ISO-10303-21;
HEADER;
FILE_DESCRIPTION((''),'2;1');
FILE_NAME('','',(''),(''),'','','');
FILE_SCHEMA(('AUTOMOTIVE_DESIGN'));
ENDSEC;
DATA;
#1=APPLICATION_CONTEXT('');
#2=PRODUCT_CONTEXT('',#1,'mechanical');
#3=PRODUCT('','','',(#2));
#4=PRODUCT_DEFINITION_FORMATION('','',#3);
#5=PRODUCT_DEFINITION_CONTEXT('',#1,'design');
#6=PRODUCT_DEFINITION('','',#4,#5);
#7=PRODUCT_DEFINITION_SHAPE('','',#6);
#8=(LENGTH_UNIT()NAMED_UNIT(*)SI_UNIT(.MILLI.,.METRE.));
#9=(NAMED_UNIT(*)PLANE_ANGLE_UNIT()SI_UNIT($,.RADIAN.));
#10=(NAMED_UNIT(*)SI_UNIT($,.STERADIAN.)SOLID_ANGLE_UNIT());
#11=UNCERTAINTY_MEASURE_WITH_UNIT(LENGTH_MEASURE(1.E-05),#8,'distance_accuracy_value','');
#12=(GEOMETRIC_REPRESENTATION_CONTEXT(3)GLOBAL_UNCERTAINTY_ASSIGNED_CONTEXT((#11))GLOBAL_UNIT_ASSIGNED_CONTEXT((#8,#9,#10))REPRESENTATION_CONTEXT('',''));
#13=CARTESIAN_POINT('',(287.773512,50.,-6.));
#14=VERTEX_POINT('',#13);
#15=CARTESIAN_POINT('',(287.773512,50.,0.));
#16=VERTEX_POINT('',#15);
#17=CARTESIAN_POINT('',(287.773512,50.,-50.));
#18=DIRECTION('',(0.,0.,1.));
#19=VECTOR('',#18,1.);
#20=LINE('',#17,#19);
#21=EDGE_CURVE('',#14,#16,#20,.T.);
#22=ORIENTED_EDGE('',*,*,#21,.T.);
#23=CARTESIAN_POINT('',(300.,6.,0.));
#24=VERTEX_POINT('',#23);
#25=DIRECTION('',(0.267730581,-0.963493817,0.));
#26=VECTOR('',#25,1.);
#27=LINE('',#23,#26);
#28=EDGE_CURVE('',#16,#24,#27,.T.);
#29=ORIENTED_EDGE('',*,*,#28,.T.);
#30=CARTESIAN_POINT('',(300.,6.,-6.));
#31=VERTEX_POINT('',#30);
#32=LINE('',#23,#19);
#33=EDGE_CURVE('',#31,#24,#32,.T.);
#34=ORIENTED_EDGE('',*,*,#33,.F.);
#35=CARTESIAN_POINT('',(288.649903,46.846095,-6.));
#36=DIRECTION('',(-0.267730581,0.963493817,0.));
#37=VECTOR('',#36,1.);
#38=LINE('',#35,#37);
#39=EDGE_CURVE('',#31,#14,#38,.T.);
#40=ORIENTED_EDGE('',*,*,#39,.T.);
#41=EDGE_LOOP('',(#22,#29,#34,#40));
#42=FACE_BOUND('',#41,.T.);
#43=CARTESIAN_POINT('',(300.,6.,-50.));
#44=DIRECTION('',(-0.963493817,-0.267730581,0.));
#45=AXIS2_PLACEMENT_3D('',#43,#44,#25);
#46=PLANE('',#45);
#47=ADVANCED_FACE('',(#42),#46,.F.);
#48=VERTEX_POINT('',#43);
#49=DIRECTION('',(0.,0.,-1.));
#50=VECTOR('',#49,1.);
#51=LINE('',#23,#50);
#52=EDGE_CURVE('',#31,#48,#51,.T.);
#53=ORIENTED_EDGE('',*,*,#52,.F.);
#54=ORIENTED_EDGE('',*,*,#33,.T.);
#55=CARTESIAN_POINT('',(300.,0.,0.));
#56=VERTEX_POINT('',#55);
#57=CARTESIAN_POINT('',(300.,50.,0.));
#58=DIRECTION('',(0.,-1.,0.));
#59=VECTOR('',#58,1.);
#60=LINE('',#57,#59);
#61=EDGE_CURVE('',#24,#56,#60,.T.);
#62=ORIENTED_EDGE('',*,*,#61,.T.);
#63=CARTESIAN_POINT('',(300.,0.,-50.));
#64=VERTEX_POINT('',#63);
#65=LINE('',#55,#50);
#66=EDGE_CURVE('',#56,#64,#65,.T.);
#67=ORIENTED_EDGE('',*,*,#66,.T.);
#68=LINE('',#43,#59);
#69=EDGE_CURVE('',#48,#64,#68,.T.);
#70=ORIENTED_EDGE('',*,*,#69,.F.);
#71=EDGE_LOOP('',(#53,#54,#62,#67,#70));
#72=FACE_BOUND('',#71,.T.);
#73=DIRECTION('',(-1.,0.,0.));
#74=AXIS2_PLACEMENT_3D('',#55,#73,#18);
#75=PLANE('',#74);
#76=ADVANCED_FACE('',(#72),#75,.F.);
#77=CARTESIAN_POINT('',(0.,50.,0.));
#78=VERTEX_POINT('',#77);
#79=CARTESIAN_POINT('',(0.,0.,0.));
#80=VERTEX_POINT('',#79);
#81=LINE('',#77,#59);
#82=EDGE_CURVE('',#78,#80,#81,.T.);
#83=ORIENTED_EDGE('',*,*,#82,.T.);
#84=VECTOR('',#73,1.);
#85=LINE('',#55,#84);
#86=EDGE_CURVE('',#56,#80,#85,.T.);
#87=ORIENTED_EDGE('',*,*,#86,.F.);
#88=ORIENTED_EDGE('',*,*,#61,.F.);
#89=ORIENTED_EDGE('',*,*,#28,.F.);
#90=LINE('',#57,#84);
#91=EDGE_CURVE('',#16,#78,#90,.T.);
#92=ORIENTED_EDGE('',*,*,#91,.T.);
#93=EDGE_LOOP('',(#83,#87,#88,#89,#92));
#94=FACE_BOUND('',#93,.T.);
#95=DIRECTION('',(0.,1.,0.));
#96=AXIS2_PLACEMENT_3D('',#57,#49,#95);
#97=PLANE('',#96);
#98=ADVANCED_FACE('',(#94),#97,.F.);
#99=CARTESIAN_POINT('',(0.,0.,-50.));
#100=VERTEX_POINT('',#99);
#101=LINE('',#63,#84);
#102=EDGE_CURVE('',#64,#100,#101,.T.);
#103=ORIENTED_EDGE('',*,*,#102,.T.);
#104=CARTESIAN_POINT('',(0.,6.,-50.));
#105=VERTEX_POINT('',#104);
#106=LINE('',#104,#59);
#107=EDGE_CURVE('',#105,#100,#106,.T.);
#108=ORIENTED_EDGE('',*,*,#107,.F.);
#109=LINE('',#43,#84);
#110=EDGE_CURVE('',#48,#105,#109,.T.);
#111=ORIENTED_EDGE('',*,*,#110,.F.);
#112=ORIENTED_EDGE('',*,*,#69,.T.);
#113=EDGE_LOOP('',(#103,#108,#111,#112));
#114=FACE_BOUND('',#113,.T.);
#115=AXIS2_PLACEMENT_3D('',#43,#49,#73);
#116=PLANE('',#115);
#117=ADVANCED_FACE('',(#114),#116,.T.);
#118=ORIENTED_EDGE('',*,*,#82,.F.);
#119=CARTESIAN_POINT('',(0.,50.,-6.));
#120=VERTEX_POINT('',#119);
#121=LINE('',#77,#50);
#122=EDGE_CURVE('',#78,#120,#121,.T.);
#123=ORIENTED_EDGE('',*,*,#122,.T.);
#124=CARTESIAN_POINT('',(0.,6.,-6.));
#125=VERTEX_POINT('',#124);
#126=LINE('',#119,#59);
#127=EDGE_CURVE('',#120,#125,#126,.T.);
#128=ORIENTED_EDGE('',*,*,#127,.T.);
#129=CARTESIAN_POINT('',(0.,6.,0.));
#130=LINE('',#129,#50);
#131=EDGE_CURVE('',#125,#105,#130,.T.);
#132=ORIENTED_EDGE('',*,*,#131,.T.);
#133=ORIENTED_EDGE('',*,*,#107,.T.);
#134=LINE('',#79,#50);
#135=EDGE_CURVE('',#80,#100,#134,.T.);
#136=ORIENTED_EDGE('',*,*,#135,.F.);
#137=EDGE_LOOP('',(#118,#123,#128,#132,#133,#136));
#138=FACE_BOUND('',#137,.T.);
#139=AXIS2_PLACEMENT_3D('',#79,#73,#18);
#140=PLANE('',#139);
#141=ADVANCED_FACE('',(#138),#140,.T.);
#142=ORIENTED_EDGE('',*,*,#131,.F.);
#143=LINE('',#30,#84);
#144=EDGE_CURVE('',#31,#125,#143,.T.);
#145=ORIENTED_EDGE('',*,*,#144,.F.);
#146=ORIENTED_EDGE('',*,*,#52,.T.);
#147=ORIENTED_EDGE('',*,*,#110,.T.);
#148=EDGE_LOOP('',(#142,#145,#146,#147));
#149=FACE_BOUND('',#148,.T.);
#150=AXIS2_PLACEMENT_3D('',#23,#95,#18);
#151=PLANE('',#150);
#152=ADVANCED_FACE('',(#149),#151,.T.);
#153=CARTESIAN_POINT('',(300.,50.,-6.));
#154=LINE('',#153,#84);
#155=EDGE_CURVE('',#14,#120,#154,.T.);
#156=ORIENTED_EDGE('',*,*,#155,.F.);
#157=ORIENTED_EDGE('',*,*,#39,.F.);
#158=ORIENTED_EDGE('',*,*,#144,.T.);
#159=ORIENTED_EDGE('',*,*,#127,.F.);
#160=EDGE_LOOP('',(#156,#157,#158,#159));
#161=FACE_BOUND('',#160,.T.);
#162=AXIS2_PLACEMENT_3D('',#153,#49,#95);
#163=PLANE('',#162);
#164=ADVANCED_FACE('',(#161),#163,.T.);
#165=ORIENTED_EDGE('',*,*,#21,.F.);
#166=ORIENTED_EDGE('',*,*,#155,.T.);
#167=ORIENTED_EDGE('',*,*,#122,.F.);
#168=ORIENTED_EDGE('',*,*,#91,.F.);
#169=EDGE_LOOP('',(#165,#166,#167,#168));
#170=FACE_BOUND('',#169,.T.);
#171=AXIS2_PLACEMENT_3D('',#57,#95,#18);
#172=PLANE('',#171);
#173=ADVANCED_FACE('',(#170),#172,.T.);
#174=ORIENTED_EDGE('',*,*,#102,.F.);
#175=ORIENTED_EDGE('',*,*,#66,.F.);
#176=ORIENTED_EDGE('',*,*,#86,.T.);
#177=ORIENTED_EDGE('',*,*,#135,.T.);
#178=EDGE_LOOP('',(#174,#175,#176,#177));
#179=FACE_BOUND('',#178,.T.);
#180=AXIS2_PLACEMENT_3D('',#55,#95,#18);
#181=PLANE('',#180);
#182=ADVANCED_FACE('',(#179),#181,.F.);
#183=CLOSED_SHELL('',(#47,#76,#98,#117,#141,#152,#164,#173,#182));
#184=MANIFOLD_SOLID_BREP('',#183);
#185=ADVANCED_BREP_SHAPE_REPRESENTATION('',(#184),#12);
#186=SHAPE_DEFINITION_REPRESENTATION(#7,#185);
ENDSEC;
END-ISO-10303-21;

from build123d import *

# Parameters (mm, degrees)
EXTRUDE_1_DEPTH     = 300
CUT_EXTRUDE_1_DEPTH = 51


with BuildPart() as part:
    # Эскиз1 → Вытянуть-Тонкостенный1 (new body)
    with BuildSketch(Plane(origin=(0, 0, 0), x_dir=(0, 0, -1), z_dir=(1, 0, 0))):
        Polygon((0, 50), (0, 0), (50, 0), (50, 6), (6, 6), (6, 50), align=None)
    extrude(amount=EXTRUDE_1_DEPTH)

    # Эскиз2 → Вырез-Вытянуть1 (cut, through all)
    with BuildSketch(Plane.XY):
        Polygon((287.773512033, 50), (300, 50), (300, 6), align=None)
    extrude(amount=-CUT_EXTRUDE_1_DEPTH, mode=Mode.SUBTRACT)


solid = part.part
